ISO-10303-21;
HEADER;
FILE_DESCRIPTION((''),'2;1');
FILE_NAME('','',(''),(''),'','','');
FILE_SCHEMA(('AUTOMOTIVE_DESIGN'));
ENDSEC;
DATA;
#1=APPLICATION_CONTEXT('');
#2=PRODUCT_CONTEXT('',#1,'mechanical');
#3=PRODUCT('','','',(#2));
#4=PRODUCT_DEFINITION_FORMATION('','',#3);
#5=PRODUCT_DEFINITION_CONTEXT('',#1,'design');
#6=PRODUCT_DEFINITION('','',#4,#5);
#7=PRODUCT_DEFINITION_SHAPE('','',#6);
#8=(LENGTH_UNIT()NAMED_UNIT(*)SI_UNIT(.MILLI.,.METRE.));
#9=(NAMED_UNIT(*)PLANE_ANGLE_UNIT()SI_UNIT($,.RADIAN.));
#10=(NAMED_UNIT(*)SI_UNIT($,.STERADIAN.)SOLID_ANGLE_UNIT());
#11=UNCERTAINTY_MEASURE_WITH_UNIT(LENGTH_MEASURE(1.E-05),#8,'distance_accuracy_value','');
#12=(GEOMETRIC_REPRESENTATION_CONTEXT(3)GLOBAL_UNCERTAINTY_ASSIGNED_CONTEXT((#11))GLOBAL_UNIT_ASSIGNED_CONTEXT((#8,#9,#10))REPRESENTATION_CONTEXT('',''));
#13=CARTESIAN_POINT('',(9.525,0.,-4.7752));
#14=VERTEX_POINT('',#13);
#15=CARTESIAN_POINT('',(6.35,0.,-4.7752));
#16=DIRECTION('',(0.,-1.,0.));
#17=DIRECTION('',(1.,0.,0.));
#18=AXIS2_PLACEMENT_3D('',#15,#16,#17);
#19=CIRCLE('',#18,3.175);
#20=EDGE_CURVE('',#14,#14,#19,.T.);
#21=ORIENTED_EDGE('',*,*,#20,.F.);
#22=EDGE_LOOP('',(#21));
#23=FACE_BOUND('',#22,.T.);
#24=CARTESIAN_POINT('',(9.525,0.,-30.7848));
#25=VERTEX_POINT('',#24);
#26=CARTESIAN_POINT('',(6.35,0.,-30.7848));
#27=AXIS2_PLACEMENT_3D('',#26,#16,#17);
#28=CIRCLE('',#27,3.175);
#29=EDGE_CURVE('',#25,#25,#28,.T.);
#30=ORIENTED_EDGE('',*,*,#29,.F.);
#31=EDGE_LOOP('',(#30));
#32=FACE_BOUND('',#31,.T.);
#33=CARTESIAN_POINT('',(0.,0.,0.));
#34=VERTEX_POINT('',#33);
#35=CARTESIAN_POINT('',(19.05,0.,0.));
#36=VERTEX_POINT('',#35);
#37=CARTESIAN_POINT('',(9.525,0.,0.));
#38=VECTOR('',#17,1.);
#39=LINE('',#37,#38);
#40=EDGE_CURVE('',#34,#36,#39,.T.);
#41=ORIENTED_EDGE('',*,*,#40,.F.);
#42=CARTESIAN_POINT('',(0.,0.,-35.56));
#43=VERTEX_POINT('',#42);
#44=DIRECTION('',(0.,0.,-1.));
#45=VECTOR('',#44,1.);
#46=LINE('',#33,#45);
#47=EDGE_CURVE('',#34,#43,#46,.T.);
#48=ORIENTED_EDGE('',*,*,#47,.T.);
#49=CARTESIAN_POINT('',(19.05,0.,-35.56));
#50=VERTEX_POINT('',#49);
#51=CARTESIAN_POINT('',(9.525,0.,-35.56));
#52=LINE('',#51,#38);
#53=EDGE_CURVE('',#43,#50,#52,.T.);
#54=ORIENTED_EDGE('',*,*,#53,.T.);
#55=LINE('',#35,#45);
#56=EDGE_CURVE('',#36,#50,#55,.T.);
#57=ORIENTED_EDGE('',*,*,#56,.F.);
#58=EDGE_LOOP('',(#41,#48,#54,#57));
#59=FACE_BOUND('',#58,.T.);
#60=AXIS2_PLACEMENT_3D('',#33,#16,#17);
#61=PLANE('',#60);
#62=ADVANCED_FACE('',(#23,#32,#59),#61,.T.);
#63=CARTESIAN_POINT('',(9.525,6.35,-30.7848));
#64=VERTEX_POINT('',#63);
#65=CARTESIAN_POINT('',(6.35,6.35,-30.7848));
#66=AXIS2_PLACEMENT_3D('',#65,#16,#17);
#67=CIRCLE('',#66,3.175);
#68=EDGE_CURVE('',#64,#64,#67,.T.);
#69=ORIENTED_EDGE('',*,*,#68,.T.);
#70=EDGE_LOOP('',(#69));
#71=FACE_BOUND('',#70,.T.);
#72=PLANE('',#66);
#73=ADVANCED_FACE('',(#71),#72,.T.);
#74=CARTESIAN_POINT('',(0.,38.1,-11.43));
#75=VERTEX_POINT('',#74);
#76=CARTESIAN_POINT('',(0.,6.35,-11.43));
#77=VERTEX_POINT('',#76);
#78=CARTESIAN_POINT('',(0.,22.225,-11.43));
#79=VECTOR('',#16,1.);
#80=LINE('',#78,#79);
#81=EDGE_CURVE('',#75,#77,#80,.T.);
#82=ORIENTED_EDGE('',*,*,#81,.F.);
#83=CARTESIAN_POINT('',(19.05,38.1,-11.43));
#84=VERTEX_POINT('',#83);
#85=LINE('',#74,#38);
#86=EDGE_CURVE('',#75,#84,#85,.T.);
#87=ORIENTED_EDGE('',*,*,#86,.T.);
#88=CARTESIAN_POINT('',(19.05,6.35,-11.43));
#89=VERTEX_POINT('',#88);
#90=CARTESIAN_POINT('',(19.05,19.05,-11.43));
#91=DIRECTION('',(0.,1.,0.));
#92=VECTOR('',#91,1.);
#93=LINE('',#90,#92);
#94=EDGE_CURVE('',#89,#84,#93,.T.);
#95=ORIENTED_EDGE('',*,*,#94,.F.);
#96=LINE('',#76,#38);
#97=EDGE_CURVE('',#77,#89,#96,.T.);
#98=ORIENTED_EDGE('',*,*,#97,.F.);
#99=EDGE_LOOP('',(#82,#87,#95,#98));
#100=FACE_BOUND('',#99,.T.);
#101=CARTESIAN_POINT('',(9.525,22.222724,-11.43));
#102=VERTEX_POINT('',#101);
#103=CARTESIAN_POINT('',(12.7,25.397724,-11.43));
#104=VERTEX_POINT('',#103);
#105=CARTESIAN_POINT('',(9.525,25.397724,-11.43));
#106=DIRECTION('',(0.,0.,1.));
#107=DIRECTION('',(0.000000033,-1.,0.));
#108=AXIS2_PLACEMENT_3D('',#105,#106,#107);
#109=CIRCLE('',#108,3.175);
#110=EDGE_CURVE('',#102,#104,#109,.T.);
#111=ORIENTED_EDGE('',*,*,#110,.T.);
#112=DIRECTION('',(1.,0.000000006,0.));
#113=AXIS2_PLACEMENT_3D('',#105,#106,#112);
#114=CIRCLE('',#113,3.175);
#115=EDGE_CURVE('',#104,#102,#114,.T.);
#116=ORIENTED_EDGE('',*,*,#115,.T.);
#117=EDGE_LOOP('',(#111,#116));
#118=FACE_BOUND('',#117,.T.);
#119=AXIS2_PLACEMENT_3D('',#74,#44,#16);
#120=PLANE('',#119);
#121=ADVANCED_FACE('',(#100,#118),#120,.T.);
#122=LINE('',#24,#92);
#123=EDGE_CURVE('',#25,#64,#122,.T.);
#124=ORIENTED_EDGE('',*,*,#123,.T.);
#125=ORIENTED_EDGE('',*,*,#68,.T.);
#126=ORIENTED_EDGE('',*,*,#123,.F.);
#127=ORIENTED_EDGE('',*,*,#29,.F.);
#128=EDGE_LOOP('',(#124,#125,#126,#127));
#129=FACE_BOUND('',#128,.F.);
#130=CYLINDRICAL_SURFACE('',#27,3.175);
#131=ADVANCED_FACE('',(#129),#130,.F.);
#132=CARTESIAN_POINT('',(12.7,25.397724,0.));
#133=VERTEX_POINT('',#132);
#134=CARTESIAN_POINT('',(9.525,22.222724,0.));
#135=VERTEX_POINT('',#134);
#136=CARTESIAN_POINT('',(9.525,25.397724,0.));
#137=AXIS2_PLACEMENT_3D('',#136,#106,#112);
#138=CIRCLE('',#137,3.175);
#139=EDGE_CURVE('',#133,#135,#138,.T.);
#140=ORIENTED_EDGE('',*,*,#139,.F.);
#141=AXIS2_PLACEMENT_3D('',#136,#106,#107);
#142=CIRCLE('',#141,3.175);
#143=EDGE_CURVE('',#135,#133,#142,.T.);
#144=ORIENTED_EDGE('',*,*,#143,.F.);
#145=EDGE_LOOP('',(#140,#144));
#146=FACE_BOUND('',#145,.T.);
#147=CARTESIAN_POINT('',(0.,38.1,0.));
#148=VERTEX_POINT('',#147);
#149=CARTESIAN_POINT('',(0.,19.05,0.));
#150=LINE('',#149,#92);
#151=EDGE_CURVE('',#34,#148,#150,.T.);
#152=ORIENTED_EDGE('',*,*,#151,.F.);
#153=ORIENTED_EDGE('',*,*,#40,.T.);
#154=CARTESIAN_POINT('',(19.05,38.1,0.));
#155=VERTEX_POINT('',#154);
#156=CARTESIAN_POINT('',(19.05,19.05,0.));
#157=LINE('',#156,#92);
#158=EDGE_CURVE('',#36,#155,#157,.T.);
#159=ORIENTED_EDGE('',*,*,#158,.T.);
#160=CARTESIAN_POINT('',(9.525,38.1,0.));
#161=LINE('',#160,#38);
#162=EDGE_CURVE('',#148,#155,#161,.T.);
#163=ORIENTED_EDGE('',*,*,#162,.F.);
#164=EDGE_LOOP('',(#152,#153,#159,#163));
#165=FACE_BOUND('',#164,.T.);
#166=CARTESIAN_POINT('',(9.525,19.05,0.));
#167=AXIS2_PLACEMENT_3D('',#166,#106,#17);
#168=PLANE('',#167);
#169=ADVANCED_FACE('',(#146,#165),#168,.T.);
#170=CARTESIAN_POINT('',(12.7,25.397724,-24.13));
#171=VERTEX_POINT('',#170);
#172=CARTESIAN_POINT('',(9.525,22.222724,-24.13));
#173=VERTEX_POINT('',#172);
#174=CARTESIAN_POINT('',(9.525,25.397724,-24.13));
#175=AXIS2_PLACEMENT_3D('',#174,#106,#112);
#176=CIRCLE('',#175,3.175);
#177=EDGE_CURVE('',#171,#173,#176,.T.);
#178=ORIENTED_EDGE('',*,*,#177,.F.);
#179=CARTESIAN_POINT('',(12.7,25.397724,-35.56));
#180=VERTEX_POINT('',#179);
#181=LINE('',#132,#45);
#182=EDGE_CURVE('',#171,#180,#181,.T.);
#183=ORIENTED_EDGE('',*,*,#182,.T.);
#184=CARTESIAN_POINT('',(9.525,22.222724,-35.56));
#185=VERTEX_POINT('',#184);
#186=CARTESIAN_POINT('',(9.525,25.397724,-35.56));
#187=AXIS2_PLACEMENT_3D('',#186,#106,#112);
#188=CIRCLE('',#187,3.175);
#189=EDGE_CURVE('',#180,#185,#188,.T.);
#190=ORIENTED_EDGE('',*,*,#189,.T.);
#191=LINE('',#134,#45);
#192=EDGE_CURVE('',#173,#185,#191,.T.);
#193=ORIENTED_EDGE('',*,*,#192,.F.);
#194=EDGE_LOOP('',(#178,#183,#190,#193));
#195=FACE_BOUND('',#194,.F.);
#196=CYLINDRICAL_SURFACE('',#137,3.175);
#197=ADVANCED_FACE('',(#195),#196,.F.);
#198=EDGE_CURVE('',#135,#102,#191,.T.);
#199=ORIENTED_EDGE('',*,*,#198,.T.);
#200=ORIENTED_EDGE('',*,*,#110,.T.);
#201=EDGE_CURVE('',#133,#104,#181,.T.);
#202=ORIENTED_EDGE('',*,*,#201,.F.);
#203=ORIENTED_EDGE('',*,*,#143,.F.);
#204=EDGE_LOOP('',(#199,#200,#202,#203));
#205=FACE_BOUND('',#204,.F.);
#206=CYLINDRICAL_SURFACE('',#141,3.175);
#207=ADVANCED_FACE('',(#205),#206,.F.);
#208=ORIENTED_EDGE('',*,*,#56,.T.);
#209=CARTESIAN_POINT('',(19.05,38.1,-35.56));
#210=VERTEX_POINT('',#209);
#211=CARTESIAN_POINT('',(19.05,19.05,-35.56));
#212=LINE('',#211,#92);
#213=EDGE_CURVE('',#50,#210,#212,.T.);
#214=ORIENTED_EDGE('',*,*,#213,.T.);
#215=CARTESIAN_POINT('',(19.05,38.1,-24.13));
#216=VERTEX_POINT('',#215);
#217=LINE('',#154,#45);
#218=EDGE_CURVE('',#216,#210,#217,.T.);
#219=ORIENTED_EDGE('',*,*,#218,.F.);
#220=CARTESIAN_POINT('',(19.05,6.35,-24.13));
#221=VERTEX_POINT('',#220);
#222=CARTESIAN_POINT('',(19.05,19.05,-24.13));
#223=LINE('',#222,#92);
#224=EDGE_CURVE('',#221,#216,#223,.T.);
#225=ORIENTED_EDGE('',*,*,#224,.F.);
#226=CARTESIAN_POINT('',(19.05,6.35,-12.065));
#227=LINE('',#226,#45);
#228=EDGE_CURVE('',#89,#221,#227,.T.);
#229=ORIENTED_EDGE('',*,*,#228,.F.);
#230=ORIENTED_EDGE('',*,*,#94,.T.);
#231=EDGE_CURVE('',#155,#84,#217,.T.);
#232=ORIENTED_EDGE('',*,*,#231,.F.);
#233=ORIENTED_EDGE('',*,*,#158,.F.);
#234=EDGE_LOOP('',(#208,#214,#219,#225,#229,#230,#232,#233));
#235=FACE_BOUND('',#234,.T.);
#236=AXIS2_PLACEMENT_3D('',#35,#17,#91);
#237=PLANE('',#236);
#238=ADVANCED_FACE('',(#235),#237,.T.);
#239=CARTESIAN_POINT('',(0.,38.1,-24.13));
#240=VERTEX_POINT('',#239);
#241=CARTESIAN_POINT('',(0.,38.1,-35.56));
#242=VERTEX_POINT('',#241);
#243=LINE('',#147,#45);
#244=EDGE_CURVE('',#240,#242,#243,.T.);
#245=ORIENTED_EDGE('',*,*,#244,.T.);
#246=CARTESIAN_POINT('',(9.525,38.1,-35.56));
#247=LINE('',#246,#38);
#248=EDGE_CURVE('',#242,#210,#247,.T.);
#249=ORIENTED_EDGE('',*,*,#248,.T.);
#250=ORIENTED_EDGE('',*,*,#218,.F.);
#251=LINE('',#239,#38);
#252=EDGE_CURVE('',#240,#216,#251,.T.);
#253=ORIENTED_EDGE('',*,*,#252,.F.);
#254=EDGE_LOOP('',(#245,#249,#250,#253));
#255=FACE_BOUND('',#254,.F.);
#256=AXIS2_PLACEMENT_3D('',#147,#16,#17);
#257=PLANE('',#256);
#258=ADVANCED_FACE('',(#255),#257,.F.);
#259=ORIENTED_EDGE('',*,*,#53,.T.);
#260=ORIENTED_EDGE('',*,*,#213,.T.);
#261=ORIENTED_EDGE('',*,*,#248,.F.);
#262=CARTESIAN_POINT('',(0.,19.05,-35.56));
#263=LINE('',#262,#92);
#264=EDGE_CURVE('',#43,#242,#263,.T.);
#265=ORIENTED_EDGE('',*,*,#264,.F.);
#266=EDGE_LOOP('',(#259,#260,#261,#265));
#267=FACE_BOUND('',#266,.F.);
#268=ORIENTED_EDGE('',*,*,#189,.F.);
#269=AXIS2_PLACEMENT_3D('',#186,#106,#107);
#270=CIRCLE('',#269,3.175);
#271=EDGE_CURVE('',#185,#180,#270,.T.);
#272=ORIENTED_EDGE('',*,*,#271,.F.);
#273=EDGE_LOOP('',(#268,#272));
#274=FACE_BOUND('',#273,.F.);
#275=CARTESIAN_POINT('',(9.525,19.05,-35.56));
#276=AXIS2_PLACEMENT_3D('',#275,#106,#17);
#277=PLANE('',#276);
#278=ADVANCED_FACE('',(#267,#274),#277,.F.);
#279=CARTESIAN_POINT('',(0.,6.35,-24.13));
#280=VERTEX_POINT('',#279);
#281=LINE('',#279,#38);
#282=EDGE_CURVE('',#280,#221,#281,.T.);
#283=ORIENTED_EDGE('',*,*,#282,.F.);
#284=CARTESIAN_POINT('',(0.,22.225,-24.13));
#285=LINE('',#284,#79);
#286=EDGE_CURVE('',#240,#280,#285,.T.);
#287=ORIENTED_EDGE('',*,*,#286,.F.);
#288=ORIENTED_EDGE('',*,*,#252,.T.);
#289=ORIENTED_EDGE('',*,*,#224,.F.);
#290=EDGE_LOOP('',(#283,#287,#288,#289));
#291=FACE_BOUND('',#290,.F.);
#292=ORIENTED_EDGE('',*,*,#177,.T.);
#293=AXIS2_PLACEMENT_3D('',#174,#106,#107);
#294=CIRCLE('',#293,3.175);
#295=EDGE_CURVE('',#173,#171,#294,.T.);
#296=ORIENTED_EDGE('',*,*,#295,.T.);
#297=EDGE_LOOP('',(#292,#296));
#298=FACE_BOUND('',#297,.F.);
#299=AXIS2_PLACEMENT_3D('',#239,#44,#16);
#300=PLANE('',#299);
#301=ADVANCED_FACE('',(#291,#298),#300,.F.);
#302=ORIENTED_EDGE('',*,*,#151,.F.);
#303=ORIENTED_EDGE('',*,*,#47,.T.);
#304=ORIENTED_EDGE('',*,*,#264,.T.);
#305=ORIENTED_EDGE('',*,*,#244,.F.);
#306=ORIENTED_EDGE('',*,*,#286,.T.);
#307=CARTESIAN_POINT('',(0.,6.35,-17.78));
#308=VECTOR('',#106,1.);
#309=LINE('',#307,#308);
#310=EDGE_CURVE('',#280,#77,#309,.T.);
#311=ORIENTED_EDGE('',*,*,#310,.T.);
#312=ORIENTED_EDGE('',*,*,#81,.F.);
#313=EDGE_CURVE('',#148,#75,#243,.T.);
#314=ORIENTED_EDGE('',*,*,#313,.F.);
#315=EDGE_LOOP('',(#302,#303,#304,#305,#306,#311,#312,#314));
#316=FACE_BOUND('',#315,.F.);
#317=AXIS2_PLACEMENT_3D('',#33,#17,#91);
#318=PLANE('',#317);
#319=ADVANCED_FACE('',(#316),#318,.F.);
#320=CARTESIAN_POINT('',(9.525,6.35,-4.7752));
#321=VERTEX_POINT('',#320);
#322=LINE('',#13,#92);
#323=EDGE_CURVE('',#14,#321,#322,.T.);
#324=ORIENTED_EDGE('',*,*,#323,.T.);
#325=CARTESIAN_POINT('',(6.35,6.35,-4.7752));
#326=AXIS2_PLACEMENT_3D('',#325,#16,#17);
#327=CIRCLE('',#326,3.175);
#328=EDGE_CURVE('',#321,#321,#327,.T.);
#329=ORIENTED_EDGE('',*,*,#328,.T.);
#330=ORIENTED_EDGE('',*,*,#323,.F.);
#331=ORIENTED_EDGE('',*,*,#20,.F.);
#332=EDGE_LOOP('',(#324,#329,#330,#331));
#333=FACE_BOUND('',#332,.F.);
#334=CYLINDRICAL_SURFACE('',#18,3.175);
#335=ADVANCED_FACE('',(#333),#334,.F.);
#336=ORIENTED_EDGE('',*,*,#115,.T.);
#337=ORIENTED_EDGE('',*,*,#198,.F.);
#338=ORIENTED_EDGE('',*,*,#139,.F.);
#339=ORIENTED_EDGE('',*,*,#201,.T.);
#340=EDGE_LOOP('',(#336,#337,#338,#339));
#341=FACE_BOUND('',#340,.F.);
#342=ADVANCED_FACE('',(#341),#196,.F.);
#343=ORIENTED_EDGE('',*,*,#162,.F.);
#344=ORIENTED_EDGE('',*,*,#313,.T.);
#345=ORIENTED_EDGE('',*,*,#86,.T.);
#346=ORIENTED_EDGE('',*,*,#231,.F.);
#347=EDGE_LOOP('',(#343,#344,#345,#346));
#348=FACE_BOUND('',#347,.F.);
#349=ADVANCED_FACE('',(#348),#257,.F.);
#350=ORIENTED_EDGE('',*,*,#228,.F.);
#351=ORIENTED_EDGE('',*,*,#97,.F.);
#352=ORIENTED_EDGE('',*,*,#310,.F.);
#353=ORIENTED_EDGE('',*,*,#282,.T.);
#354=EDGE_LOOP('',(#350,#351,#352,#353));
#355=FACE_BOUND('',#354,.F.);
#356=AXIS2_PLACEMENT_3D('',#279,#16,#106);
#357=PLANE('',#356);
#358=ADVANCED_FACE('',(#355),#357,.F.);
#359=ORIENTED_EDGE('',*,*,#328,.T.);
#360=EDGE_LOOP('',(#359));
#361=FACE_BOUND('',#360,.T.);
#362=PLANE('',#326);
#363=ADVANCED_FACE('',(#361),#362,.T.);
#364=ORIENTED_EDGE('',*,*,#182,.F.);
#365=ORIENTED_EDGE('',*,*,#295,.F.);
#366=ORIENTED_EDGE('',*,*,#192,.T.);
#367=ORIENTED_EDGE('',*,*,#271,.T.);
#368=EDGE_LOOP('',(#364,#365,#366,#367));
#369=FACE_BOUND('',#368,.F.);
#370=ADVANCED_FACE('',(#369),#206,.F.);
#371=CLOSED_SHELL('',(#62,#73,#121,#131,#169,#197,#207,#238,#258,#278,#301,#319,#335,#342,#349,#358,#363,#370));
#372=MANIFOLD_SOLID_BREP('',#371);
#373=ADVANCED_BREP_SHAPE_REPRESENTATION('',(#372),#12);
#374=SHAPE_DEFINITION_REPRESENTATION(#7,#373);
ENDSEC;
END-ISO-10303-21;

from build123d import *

# Parameters (mm, degrees)
F0_W     = 19.05
F0_H     = 38.1
F1_DEPTH = 35.56
F2_W     = 31.75
F2_H     = 12.7
F3_DEPTH = 25.4
F5_DEPTH = 35.561
F6_R     = 3.175
F7_DEPTH = 6.35


with BuildPart() as f1:
    # F0 (on Top) → F1 (new body)
    with BuildSketch(Plane.XY):
        with Locations((9.525, 19.05)):
            Rectangle(F0_W, F0_H)
    extrude(amount=-F1_DEPTH)

    # F2 (on face) → F3 (cut)
    with BuildSketch(Plane(origin=(0, 0, 0), x_dir=(0, -1, 0), z_dir=(-1, 0, 0))):
        with Locations((-22.225, -17.78)):
            Rectangle(F2_W, F2_H)
    extrude(amount=-F3_DEPTH, mode=Mode.SUBTRACT)

    # F4 (on face) → F5 (cut, through all)
    with BuildSketch(Plane.XY):
        with BuildLine():
            ThreePointArc((12.7, 25.397724), (7.279936, 27.642788), (9.525, 22.222724))
            ThreePointArc((9.525, 22.222724), (11.770064, 23.15266), (12.7, 25.397724))
        make_face()
    extrude(amount=-F5_DEPTH, mode=Mode.SUBTRACT)

    # F6 (on face) → F7 (cut)
    with BuildSketch(Plane.XZ):
        with Locations((6.35, -30.7848)):
            Circle(F6_R)
        with Locations((6.35, -4.7752)):
            Circle(F6_R)
    extrude(amount=-F7_DEPTH, mode=Mode.SUBTRACT)


solid = f1.part
